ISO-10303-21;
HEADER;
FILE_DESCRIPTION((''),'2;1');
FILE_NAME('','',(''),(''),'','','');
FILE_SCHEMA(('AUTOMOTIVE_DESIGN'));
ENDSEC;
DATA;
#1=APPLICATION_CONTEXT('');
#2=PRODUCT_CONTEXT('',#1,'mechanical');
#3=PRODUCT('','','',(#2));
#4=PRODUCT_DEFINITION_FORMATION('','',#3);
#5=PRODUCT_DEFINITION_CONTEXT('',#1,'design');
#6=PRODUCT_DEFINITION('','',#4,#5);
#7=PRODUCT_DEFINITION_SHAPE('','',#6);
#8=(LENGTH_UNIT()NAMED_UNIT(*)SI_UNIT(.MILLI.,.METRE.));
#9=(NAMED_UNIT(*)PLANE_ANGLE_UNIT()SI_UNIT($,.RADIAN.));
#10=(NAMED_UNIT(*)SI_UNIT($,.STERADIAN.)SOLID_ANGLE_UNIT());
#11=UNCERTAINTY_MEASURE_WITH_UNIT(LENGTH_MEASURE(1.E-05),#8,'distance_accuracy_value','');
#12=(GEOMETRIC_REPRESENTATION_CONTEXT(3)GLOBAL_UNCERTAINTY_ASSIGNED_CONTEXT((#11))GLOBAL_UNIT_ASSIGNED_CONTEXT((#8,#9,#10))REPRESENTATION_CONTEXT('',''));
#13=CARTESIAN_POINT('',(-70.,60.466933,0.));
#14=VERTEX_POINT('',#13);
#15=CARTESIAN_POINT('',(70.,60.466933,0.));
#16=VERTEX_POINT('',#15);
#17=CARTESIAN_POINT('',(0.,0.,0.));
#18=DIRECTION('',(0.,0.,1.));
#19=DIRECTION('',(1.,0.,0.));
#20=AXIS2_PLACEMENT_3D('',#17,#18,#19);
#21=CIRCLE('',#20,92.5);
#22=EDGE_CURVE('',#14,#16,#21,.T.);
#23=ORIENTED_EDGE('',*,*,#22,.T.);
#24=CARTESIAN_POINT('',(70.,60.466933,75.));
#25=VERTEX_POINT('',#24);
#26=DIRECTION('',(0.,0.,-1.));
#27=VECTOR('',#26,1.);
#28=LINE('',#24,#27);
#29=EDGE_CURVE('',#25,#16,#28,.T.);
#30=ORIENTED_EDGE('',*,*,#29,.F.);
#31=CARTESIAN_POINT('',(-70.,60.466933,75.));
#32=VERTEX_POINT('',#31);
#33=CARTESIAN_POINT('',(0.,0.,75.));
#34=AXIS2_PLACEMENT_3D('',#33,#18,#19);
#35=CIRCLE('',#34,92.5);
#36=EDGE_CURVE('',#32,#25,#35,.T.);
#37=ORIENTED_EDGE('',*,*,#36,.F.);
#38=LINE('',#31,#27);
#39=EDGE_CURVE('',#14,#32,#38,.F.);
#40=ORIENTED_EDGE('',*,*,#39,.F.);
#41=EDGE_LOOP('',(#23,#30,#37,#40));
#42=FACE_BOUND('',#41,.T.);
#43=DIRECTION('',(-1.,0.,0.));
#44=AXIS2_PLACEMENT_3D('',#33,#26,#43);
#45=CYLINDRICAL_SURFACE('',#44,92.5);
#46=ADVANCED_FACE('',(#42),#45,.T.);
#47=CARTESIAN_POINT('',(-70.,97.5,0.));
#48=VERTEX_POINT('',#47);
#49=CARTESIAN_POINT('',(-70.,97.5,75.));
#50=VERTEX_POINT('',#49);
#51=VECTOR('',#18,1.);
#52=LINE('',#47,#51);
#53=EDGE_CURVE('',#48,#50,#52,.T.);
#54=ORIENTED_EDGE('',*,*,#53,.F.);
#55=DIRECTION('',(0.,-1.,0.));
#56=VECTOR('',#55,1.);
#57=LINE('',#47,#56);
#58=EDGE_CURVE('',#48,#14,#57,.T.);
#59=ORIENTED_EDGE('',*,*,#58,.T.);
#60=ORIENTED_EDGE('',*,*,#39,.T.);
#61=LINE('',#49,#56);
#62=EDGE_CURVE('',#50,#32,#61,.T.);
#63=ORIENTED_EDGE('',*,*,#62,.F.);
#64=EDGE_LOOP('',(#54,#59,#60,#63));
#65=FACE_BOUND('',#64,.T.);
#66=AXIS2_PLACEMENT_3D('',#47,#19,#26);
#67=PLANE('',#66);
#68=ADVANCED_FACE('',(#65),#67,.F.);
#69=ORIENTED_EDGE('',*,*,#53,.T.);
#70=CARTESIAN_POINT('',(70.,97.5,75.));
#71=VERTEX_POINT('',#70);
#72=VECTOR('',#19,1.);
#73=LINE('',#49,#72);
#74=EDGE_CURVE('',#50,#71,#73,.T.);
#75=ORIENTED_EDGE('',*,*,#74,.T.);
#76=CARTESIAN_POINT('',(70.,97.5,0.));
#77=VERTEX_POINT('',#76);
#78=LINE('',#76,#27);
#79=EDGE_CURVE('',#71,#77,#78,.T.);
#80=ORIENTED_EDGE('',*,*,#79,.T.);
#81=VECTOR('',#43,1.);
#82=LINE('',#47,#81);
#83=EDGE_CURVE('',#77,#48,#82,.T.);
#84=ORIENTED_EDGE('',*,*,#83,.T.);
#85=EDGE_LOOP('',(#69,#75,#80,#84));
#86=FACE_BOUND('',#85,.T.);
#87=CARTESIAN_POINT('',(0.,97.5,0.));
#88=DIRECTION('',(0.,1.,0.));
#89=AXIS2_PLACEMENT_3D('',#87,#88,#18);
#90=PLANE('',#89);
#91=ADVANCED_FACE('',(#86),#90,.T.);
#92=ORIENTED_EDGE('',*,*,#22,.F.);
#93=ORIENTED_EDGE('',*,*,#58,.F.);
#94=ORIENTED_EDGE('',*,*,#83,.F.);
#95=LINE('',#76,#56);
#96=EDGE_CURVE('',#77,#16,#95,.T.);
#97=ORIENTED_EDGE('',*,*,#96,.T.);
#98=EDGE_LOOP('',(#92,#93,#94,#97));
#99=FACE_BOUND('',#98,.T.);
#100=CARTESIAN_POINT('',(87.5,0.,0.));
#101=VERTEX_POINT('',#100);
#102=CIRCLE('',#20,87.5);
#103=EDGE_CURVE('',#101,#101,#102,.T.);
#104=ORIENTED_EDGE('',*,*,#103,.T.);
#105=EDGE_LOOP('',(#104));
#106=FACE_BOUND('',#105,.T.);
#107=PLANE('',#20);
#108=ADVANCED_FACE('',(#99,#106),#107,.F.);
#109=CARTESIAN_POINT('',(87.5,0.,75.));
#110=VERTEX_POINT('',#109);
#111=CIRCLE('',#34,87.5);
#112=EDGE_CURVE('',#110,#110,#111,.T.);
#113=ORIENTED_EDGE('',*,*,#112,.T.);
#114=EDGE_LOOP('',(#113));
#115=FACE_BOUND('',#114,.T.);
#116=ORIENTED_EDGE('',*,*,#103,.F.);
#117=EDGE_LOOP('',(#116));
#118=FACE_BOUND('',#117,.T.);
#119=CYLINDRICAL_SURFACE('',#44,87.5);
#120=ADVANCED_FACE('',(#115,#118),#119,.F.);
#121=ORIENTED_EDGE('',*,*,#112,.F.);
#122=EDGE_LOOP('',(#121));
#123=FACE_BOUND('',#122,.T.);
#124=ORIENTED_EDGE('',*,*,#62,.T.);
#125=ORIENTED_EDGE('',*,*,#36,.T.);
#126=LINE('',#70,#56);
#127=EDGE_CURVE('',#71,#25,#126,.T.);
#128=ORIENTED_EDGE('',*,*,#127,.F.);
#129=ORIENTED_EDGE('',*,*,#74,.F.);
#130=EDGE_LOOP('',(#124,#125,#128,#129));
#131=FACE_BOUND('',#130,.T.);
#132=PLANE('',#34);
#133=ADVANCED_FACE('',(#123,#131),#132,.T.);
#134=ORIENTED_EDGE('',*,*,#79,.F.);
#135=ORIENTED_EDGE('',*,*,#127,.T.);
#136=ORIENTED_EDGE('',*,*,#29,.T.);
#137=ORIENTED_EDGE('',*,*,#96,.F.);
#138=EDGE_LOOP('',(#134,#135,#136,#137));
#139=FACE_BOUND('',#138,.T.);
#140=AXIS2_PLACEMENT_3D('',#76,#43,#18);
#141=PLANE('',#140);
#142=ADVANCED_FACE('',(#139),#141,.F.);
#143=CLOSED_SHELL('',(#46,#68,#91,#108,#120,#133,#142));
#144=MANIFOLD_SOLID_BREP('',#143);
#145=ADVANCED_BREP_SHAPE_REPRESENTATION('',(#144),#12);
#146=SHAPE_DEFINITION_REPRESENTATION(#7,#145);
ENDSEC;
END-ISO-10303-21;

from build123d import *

# Parameters (mm, degrees)
SKETCH3_R                       = 92.5
SKETCH3_R_2                     = 87.5
BOSS_EXTRUDE3_DEPTH             = 75
BOSS_EXTRUDE4_REACH             = 222.014
BOSS_EXTRUDE4_END_RADIUS        = 92.5
SKETCH4_W                       = 140
SKETCH4_H                       = 75
BOSS_EXTRUDE4_DIRECTION_2_DEPTH = 5


with BuildPart() as part:
    # Sketch3 → Boss-Extrude3 (new body)
    with BuildSketch(Plane.XY):
        Circle(SKETCH3_R)
        Circle(SKETCH3_R_2, mode=Mode.SUBTRACT)
    extrude(amount=BOSS_EXTRUDE3_DEPTH)

    # Boss-Extrude4: up to this cylinder (the profile starts outside it)
    boss_extrude4_end = Plane(origin=(0, 0, 37.5), z_dir=(0, 0, -1)) * Cylinder(BOSS_EXTRUDE4_END_RADIUS, 630.028, mode=Mode.PRIVATE)
    # Sketch4 → Boss-Extrude4 (add, up to the surface)
    with BuildSketch(Plane(origin=(0, 92.5, 0), x_dir=(1, 0, 0), z_dir=(0, 1, 0)), mode=Mode.PRIVATE) as boss_extrude4_sk1:
        with Locations((0, -37.5)):
            Rectangle(SKETCH4_W, SKETCH4_H)
    boss_extrude4_tool1 = extrude(boss_extrude4_sk1.sketch, amount=-BOSS_EXTRUDE4_REACH, mode=Mode.PRIVATE) - boss_extrude4_end
    add(boss_extrude4_tool1.solids().sort_by_distance((0, 92.5, 37.5))[0])
    add(boss_extrude4_tool1.solids().sort_by_distance((0, 92.5, 37.5))[1])

    # Sketch4 → Boss-Extrude4 direction 2 (add)
    with BuildSketch(Plane(origin=(0, 92.5, 0), x_dir=(1, 0, 0), z_dir=(0, 1, 0))):
        with Locations((0, -37.5)):
            Rectangle(SKETCH4_W, SKETCH4_H)
    extrude(amount=BOSS_EXTRUDE4_DIRECTION_2_DEPTH)


solid = part.part
